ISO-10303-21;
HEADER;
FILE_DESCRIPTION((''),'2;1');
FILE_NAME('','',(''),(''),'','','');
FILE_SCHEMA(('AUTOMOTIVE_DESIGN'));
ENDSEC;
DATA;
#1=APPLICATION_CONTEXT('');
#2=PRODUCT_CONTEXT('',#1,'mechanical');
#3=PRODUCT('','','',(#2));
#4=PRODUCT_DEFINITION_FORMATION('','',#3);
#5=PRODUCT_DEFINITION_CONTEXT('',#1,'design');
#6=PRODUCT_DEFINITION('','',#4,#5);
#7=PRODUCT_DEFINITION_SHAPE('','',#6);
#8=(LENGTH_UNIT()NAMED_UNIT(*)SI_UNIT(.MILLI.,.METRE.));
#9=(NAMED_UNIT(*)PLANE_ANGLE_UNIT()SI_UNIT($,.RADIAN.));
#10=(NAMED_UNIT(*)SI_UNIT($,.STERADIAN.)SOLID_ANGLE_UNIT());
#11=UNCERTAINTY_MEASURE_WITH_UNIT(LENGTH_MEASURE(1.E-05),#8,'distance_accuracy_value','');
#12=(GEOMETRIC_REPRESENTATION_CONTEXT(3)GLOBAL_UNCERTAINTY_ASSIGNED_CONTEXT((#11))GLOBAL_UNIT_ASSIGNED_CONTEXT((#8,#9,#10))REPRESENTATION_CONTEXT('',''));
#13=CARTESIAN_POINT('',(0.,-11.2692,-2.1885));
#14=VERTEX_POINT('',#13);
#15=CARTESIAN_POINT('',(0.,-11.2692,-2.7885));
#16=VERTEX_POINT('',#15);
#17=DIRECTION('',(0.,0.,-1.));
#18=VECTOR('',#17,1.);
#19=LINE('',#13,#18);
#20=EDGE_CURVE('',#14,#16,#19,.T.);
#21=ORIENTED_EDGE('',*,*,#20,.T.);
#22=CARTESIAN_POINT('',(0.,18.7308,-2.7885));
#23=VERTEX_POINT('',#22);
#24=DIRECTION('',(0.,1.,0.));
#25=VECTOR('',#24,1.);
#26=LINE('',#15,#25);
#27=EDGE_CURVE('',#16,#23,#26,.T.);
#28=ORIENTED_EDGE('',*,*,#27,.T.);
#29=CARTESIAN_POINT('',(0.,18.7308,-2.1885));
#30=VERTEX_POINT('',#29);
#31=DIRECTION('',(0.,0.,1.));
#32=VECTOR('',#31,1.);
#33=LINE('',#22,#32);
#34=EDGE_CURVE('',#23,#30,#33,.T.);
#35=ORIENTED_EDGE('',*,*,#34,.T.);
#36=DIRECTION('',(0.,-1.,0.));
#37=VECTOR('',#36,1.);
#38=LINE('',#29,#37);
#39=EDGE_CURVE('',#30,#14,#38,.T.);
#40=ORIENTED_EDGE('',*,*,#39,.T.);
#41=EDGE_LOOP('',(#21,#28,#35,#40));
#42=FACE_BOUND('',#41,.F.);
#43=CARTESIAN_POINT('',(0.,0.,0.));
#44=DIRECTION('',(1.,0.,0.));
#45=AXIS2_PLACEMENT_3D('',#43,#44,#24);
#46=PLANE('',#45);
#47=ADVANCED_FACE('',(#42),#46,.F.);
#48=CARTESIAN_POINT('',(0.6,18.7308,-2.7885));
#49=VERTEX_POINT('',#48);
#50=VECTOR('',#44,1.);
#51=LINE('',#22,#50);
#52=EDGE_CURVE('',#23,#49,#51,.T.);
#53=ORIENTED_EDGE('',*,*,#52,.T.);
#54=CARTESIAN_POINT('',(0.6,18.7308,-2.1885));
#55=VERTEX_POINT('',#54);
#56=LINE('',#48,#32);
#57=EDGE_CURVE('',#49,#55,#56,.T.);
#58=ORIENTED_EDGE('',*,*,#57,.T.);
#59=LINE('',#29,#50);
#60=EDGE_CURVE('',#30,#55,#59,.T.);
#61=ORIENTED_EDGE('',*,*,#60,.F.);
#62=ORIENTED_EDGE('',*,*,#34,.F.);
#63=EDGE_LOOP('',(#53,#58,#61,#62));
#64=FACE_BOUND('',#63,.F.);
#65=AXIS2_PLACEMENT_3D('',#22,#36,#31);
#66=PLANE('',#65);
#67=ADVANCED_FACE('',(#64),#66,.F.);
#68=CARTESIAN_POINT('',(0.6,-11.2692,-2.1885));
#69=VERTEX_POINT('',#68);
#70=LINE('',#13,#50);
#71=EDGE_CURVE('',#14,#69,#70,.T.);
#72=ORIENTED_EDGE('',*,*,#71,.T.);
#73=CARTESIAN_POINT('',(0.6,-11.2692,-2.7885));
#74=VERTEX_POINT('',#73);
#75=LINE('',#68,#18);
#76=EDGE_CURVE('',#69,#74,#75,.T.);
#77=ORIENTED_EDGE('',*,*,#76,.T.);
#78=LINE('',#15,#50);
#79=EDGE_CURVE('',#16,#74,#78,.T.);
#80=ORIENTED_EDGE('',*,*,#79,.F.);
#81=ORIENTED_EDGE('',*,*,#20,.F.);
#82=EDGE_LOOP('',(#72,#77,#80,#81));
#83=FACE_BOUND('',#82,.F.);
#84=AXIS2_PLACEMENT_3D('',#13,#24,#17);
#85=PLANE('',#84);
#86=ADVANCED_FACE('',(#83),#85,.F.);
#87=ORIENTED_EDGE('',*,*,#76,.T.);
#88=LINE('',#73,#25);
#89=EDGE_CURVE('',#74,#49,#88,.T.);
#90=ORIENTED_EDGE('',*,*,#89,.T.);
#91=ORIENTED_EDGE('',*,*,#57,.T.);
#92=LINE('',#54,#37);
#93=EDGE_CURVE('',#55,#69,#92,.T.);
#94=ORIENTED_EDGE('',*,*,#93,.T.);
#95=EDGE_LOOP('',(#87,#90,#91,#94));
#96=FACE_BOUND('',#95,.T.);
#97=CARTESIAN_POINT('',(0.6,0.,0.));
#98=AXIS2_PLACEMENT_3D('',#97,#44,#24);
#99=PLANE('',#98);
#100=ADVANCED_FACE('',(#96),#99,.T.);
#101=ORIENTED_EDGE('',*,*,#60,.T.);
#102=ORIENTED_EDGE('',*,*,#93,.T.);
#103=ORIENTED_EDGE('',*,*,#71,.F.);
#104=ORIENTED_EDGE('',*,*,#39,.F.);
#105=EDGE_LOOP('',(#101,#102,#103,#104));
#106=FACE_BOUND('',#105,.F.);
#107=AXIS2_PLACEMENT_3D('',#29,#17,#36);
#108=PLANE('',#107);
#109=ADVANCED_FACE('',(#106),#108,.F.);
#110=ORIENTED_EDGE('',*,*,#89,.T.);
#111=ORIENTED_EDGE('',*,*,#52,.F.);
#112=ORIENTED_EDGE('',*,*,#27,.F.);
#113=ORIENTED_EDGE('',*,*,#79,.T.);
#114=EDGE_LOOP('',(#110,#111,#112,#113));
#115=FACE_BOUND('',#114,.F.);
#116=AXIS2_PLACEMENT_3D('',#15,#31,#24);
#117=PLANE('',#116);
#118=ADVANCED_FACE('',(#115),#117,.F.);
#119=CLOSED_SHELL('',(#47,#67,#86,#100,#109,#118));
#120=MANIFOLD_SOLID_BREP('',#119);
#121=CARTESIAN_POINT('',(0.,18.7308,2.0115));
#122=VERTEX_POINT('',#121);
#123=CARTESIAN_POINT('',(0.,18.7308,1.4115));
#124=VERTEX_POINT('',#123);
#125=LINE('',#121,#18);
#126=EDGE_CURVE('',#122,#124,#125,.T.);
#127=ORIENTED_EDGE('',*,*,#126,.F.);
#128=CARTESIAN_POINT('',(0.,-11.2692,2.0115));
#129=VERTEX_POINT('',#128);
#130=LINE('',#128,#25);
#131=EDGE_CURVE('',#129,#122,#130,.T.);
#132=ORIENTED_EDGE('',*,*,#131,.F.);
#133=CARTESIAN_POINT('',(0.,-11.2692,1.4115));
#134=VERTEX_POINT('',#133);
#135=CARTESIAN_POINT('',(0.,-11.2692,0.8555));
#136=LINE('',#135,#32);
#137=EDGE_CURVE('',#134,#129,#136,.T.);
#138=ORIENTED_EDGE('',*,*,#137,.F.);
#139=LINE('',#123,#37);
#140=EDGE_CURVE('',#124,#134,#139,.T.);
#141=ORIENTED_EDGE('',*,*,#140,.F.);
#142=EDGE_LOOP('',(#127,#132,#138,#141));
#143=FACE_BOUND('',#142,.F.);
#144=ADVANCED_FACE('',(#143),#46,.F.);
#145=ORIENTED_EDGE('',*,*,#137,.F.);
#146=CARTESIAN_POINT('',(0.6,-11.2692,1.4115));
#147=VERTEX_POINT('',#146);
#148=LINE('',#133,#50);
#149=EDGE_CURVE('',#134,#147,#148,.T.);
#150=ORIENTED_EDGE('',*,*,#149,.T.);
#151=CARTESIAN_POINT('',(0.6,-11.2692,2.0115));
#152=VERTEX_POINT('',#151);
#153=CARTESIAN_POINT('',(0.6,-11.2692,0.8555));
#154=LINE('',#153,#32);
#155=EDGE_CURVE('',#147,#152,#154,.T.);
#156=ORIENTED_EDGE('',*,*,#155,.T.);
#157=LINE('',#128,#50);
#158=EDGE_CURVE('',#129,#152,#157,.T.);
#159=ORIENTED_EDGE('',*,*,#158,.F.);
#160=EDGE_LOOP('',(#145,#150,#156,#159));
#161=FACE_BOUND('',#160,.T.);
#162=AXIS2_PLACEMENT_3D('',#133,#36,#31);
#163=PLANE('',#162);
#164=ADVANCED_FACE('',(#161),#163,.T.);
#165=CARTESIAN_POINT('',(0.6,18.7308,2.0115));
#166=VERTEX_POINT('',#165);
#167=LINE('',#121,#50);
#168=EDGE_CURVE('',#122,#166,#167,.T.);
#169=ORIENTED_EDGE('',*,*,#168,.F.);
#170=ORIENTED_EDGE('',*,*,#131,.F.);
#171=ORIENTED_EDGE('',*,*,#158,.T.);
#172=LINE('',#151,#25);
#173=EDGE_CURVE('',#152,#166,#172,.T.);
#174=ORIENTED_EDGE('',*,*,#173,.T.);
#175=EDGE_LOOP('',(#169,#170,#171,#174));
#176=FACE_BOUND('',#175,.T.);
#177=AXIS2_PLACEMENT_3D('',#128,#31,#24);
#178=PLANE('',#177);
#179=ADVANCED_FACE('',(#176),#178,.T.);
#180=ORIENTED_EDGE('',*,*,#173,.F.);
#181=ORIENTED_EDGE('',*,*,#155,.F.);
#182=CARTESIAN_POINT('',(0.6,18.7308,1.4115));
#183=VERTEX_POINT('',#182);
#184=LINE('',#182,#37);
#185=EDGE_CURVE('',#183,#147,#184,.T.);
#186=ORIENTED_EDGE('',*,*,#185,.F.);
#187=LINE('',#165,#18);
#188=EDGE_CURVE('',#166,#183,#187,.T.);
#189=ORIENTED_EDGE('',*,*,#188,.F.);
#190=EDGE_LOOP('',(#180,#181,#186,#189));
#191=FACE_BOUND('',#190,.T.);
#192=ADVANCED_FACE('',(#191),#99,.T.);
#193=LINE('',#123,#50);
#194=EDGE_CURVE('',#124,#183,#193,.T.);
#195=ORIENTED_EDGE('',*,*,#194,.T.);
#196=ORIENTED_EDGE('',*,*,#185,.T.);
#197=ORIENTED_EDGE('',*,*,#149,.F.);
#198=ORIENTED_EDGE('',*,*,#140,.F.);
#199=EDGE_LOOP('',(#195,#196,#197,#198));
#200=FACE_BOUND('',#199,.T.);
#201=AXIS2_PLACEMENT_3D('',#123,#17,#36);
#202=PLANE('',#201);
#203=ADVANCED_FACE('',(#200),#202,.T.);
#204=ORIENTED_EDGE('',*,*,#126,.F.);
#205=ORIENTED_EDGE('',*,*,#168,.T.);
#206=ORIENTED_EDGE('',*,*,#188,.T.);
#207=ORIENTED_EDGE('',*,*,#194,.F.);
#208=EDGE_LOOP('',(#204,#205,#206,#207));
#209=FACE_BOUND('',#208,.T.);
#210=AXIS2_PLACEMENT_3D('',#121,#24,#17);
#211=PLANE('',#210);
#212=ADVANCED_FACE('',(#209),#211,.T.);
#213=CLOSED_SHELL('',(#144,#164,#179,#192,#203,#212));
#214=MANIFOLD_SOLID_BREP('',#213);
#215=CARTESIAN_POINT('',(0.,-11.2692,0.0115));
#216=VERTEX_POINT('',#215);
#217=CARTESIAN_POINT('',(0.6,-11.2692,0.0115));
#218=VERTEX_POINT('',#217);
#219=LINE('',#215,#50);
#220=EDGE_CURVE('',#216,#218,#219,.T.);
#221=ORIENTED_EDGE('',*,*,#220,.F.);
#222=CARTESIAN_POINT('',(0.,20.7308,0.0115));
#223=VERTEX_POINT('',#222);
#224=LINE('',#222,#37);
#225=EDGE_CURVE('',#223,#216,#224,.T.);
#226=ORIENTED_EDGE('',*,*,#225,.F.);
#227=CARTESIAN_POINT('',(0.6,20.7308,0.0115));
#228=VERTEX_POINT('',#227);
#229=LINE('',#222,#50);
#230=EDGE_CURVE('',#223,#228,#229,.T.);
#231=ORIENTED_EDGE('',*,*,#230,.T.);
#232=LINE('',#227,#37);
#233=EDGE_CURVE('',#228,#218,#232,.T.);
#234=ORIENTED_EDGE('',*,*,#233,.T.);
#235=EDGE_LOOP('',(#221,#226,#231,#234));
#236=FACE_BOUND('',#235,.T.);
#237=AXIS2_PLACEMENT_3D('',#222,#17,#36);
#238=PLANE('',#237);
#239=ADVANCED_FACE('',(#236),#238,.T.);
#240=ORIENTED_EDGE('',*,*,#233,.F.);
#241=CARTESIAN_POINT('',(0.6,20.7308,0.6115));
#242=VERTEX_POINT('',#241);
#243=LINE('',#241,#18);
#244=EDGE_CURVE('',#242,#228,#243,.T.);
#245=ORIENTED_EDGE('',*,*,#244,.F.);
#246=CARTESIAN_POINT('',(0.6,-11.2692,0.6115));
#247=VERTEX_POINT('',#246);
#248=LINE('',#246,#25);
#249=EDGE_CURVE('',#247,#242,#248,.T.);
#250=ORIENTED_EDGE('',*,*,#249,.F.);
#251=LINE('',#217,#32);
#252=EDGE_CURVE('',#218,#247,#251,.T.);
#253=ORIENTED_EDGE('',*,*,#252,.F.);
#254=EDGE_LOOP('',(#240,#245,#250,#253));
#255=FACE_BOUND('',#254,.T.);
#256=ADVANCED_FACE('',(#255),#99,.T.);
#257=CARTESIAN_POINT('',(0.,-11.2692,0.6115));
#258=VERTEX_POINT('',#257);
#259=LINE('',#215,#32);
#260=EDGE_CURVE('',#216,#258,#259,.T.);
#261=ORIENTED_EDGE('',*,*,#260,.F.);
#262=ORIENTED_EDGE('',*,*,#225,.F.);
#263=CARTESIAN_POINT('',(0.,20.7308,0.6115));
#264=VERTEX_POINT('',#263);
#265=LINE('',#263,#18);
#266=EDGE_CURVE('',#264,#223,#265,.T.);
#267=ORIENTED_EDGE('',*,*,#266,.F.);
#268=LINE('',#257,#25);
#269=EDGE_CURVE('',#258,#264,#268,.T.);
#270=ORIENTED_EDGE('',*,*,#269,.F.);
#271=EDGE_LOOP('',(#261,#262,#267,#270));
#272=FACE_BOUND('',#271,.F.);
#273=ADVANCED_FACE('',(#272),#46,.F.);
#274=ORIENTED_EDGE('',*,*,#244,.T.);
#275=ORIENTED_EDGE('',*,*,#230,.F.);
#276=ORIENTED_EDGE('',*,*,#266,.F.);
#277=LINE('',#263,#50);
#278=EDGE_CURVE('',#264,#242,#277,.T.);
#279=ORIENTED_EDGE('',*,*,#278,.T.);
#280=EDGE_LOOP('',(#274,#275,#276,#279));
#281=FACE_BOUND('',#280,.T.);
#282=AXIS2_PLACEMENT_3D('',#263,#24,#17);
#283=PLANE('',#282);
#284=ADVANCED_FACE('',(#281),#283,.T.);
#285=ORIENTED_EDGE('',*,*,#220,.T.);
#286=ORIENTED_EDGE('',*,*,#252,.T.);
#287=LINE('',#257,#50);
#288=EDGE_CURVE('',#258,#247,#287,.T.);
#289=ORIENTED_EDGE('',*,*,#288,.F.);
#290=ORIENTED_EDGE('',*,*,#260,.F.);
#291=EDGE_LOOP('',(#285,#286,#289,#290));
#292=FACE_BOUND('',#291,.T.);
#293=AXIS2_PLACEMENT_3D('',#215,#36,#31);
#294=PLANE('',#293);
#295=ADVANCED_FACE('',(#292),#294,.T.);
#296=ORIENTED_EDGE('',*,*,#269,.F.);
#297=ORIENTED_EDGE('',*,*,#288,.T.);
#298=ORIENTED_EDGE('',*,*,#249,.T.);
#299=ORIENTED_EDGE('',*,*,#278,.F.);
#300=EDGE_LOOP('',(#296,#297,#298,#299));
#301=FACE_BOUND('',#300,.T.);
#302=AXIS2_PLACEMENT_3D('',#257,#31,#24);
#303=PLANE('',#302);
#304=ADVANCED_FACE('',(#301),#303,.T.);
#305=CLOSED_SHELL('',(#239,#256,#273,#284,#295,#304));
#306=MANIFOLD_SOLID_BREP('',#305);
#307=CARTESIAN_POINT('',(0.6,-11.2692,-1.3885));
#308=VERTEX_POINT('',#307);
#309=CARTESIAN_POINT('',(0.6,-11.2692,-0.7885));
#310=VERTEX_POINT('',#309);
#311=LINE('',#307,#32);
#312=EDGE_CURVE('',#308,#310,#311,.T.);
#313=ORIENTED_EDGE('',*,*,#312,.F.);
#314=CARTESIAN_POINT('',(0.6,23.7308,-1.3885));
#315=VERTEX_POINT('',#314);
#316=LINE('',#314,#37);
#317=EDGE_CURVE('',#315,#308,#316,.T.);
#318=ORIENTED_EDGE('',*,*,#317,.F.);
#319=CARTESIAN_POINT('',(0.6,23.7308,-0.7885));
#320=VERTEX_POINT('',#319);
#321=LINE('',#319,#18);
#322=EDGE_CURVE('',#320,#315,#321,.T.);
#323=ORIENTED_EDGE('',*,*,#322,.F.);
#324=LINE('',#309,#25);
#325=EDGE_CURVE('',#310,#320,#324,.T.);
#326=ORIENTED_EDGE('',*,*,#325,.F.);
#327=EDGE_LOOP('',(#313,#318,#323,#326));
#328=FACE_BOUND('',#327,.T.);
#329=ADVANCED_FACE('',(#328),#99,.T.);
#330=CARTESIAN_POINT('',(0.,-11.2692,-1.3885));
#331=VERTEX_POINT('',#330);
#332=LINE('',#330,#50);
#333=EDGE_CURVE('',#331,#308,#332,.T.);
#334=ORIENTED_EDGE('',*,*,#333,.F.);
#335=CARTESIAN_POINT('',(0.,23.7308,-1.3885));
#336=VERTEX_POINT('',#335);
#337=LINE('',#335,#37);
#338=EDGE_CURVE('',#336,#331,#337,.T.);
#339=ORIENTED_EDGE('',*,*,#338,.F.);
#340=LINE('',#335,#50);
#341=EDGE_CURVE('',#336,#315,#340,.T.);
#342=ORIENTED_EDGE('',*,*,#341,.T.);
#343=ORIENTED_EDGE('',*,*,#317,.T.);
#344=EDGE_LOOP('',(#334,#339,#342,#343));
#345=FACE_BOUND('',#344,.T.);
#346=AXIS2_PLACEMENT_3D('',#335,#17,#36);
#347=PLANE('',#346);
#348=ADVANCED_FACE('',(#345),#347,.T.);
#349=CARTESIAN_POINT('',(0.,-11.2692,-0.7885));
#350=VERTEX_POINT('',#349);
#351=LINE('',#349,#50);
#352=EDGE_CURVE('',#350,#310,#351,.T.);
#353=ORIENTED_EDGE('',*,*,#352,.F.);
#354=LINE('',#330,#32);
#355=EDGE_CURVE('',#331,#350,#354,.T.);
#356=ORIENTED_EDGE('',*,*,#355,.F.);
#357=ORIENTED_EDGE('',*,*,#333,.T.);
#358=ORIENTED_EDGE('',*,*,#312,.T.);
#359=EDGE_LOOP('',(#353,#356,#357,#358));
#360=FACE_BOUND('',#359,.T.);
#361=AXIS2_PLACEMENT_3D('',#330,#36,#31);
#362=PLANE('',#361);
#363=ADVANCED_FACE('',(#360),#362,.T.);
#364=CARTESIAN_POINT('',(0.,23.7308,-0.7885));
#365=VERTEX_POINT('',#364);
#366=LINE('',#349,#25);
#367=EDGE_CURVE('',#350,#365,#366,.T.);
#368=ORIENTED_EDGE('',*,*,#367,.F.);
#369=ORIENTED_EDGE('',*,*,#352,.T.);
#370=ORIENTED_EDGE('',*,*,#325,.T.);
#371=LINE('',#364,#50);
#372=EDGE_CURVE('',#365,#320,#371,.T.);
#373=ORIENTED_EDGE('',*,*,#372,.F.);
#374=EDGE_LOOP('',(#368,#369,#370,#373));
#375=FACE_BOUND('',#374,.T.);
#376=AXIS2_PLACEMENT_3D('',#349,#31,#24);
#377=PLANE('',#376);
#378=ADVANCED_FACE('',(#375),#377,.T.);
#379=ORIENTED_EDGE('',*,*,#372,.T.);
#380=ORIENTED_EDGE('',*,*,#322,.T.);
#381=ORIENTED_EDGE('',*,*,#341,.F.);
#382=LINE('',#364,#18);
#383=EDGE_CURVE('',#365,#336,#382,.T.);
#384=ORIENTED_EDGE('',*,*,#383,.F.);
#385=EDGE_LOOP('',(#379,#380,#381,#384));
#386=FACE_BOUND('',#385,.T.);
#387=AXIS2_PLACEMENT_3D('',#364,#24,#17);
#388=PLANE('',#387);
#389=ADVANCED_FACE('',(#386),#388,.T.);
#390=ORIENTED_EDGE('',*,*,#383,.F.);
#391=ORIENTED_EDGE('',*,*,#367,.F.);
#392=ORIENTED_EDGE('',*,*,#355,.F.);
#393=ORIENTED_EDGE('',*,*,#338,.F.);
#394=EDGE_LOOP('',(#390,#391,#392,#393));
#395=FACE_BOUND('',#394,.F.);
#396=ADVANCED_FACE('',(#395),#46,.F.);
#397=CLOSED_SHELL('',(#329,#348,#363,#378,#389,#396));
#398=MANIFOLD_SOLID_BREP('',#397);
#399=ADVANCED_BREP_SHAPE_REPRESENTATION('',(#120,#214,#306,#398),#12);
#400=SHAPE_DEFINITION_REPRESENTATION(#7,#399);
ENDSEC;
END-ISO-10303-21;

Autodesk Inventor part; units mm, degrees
ref_plane "YZ Plane" through (0, 0, 0) normal (1, 0, 0) x (0, 1, 0)
ref_plane "XZ Plane" through (0, 0, 0) normal (0, 1, 0) x (-1, 0, 0)
ref_plane "XY Plane" through (0, 0, 0) normal (0, 0, 1) x (1, 0, 0)
sketch "Skizze1" plane through (0, 0, 0) normal (1, 0, 0) x (0, 1, 0)
  line L0 (-11.2692, -2.1885) -> (-11.2692, -2.7885)
  line L1 (-11.2692, -2.7885) -> (18.7308, -2.7885)
  line L2 (18.7308, -2.7885) -> (18.7308, -2.1885)
  line L3 (18.7308, -2.1885) -> (-11.2692, -2.1885)
  line L4 (23.7308, -1.3885) -> (-11.2692, -1.3885)
  line L5 (-11.2692, -1.3885) -> (-11.2692, -0.7885)
  line L6 (-11.2692, -0.7885) -> (23.7308, -0.7885)
  line L7 (23.7308, -0.7885) -> (23.7308, -1.3885)
  line L8 (-11.2692, 0.0115) -> (-11.2692, 0.6115)
  line L9 (-11.2692, 0.6115) -> (20.7308, 0.6115)
  line L10 (20.7308, 0.6115) -> (20.7308, 0.0115)
  line L11 (20.7308, 0.0115) -> (-11.2692, 0.0115)
  line L12 (-11.2692, 0.8555) -> (-11.2692, 2.0115)
  line L13 (-11.2692, 2.0115) -> (18.7308, 2.0115)
  line L14 (18.7308, 2.0115) -> (18.7308, 1.4115)
  line L15 (18.7308, 1.4115) -> (-11.2692, 1.4115)
  point P0 (0, 0)
  dimension "d0" = 0.6
  dimension "d1" = 30
  dimension "d2" = 0.6
  dimension "d3" = 35
  dimension "d4" = 0.8
  dimension "d5" = 0.6
  dimension "d6" = 32
  dimension "d7" = 0.6
  dimension "d8" = 30
  dimension "d9" = 0.8
  dimension "d10" = 0.8
extrude "Extrusion1" add sketch "Skizze1" along normal blind 0.6
properties part number "Legs" material "Aluminium 6061"
